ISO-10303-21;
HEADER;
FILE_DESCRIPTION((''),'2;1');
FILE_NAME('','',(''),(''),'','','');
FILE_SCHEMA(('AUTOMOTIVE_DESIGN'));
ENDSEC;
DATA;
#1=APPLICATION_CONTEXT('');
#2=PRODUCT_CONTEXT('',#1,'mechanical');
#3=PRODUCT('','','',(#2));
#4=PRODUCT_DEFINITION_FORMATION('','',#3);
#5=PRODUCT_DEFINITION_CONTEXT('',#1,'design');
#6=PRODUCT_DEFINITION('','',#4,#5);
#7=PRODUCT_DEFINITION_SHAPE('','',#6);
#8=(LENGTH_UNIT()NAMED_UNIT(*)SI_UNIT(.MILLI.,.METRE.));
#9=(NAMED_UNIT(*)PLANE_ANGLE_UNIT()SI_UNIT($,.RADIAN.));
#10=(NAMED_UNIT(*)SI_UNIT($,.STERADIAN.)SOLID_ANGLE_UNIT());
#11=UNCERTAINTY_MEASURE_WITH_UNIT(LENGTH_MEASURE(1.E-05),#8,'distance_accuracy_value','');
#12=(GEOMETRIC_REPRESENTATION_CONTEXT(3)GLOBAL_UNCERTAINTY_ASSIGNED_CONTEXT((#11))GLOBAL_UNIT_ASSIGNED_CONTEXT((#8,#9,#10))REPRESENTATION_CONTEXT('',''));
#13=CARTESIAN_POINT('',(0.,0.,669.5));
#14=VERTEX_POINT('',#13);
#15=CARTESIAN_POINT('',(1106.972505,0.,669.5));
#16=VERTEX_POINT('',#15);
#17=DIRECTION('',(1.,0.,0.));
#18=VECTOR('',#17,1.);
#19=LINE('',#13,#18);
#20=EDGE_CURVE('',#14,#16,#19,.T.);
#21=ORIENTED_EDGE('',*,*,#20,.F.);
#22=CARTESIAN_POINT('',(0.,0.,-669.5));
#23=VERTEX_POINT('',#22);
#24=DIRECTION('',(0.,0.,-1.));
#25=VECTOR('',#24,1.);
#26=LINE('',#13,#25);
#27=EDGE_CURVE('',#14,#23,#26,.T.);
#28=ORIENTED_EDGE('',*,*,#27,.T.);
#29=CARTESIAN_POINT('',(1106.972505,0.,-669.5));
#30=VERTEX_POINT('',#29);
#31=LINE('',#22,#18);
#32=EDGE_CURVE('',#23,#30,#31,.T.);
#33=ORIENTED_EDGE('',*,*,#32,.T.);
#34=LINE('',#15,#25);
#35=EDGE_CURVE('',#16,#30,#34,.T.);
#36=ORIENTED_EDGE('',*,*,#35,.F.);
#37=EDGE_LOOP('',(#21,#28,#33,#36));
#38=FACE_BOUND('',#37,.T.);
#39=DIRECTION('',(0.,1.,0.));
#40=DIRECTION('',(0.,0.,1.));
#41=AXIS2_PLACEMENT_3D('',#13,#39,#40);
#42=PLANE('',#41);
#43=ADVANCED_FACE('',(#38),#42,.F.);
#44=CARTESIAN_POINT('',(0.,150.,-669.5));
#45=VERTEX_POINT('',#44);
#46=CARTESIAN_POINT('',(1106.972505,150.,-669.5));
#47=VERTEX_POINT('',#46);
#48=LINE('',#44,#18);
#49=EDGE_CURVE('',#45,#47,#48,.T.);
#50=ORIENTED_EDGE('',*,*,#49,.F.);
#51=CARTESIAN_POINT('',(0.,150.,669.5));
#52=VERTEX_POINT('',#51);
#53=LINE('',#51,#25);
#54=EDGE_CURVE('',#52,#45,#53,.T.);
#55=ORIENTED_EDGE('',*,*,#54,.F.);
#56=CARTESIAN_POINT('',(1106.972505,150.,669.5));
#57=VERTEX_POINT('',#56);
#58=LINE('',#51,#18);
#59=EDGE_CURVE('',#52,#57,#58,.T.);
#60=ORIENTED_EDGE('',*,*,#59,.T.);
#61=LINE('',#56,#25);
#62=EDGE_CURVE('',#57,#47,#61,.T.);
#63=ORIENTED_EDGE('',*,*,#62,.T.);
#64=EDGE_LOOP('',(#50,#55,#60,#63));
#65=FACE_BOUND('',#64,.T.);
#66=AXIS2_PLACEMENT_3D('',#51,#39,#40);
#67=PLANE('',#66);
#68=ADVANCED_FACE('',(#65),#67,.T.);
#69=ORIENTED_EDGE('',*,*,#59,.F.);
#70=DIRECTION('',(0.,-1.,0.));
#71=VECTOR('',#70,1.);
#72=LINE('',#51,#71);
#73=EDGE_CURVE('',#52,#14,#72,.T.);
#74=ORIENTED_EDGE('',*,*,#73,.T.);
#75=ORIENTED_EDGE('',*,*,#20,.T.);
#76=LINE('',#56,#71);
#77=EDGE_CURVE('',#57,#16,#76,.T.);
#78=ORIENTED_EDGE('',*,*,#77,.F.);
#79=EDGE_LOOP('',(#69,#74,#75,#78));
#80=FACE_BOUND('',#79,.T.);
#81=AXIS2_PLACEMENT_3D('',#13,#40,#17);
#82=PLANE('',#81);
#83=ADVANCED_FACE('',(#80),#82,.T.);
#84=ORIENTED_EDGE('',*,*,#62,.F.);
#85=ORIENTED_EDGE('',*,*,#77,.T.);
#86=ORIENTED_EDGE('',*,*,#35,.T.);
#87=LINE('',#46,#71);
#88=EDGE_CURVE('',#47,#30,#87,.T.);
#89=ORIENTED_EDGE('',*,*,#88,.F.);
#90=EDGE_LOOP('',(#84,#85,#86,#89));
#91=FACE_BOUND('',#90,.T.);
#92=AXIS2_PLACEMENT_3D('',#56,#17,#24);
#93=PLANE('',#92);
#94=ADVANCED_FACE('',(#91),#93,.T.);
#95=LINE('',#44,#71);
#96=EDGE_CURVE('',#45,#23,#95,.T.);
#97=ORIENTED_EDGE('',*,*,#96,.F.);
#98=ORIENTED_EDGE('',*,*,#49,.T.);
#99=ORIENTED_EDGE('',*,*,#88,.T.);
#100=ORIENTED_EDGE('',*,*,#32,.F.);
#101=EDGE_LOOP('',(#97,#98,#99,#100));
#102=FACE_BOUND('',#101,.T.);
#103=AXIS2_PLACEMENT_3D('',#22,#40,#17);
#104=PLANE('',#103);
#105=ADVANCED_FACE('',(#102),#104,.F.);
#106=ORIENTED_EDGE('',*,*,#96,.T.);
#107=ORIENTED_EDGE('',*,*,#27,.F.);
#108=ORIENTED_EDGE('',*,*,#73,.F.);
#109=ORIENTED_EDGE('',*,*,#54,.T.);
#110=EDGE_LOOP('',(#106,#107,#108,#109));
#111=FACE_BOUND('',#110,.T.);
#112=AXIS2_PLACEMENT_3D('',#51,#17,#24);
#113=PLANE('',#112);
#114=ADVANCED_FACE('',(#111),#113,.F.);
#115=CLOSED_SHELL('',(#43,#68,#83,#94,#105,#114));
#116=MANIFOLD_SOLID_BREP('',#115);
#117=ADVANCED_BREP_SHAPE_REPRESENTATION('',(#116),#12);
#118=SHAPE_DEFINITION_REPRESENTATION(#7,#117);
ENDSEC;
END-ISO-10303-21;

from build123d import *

# Parameters (mm, degrees)
SKETCH1_W           = 1106.97250468
SKETCH1_H           = 150
BOSS_EXTRUDE1_DEPTH = 669.5


with BuildPart() as part:
    # Sketch1 → Boss-Extrude1 (new, symmetric)
    with BuildSketch(Plane.XY):
        with Locations((553.48625234, 75)):
            Rectangle(SKETCH1_W, SKETCH1_H)
    extrude(amount=BOSS_EXTRUDE1_DEPTH, both=True)


solid = part.part
